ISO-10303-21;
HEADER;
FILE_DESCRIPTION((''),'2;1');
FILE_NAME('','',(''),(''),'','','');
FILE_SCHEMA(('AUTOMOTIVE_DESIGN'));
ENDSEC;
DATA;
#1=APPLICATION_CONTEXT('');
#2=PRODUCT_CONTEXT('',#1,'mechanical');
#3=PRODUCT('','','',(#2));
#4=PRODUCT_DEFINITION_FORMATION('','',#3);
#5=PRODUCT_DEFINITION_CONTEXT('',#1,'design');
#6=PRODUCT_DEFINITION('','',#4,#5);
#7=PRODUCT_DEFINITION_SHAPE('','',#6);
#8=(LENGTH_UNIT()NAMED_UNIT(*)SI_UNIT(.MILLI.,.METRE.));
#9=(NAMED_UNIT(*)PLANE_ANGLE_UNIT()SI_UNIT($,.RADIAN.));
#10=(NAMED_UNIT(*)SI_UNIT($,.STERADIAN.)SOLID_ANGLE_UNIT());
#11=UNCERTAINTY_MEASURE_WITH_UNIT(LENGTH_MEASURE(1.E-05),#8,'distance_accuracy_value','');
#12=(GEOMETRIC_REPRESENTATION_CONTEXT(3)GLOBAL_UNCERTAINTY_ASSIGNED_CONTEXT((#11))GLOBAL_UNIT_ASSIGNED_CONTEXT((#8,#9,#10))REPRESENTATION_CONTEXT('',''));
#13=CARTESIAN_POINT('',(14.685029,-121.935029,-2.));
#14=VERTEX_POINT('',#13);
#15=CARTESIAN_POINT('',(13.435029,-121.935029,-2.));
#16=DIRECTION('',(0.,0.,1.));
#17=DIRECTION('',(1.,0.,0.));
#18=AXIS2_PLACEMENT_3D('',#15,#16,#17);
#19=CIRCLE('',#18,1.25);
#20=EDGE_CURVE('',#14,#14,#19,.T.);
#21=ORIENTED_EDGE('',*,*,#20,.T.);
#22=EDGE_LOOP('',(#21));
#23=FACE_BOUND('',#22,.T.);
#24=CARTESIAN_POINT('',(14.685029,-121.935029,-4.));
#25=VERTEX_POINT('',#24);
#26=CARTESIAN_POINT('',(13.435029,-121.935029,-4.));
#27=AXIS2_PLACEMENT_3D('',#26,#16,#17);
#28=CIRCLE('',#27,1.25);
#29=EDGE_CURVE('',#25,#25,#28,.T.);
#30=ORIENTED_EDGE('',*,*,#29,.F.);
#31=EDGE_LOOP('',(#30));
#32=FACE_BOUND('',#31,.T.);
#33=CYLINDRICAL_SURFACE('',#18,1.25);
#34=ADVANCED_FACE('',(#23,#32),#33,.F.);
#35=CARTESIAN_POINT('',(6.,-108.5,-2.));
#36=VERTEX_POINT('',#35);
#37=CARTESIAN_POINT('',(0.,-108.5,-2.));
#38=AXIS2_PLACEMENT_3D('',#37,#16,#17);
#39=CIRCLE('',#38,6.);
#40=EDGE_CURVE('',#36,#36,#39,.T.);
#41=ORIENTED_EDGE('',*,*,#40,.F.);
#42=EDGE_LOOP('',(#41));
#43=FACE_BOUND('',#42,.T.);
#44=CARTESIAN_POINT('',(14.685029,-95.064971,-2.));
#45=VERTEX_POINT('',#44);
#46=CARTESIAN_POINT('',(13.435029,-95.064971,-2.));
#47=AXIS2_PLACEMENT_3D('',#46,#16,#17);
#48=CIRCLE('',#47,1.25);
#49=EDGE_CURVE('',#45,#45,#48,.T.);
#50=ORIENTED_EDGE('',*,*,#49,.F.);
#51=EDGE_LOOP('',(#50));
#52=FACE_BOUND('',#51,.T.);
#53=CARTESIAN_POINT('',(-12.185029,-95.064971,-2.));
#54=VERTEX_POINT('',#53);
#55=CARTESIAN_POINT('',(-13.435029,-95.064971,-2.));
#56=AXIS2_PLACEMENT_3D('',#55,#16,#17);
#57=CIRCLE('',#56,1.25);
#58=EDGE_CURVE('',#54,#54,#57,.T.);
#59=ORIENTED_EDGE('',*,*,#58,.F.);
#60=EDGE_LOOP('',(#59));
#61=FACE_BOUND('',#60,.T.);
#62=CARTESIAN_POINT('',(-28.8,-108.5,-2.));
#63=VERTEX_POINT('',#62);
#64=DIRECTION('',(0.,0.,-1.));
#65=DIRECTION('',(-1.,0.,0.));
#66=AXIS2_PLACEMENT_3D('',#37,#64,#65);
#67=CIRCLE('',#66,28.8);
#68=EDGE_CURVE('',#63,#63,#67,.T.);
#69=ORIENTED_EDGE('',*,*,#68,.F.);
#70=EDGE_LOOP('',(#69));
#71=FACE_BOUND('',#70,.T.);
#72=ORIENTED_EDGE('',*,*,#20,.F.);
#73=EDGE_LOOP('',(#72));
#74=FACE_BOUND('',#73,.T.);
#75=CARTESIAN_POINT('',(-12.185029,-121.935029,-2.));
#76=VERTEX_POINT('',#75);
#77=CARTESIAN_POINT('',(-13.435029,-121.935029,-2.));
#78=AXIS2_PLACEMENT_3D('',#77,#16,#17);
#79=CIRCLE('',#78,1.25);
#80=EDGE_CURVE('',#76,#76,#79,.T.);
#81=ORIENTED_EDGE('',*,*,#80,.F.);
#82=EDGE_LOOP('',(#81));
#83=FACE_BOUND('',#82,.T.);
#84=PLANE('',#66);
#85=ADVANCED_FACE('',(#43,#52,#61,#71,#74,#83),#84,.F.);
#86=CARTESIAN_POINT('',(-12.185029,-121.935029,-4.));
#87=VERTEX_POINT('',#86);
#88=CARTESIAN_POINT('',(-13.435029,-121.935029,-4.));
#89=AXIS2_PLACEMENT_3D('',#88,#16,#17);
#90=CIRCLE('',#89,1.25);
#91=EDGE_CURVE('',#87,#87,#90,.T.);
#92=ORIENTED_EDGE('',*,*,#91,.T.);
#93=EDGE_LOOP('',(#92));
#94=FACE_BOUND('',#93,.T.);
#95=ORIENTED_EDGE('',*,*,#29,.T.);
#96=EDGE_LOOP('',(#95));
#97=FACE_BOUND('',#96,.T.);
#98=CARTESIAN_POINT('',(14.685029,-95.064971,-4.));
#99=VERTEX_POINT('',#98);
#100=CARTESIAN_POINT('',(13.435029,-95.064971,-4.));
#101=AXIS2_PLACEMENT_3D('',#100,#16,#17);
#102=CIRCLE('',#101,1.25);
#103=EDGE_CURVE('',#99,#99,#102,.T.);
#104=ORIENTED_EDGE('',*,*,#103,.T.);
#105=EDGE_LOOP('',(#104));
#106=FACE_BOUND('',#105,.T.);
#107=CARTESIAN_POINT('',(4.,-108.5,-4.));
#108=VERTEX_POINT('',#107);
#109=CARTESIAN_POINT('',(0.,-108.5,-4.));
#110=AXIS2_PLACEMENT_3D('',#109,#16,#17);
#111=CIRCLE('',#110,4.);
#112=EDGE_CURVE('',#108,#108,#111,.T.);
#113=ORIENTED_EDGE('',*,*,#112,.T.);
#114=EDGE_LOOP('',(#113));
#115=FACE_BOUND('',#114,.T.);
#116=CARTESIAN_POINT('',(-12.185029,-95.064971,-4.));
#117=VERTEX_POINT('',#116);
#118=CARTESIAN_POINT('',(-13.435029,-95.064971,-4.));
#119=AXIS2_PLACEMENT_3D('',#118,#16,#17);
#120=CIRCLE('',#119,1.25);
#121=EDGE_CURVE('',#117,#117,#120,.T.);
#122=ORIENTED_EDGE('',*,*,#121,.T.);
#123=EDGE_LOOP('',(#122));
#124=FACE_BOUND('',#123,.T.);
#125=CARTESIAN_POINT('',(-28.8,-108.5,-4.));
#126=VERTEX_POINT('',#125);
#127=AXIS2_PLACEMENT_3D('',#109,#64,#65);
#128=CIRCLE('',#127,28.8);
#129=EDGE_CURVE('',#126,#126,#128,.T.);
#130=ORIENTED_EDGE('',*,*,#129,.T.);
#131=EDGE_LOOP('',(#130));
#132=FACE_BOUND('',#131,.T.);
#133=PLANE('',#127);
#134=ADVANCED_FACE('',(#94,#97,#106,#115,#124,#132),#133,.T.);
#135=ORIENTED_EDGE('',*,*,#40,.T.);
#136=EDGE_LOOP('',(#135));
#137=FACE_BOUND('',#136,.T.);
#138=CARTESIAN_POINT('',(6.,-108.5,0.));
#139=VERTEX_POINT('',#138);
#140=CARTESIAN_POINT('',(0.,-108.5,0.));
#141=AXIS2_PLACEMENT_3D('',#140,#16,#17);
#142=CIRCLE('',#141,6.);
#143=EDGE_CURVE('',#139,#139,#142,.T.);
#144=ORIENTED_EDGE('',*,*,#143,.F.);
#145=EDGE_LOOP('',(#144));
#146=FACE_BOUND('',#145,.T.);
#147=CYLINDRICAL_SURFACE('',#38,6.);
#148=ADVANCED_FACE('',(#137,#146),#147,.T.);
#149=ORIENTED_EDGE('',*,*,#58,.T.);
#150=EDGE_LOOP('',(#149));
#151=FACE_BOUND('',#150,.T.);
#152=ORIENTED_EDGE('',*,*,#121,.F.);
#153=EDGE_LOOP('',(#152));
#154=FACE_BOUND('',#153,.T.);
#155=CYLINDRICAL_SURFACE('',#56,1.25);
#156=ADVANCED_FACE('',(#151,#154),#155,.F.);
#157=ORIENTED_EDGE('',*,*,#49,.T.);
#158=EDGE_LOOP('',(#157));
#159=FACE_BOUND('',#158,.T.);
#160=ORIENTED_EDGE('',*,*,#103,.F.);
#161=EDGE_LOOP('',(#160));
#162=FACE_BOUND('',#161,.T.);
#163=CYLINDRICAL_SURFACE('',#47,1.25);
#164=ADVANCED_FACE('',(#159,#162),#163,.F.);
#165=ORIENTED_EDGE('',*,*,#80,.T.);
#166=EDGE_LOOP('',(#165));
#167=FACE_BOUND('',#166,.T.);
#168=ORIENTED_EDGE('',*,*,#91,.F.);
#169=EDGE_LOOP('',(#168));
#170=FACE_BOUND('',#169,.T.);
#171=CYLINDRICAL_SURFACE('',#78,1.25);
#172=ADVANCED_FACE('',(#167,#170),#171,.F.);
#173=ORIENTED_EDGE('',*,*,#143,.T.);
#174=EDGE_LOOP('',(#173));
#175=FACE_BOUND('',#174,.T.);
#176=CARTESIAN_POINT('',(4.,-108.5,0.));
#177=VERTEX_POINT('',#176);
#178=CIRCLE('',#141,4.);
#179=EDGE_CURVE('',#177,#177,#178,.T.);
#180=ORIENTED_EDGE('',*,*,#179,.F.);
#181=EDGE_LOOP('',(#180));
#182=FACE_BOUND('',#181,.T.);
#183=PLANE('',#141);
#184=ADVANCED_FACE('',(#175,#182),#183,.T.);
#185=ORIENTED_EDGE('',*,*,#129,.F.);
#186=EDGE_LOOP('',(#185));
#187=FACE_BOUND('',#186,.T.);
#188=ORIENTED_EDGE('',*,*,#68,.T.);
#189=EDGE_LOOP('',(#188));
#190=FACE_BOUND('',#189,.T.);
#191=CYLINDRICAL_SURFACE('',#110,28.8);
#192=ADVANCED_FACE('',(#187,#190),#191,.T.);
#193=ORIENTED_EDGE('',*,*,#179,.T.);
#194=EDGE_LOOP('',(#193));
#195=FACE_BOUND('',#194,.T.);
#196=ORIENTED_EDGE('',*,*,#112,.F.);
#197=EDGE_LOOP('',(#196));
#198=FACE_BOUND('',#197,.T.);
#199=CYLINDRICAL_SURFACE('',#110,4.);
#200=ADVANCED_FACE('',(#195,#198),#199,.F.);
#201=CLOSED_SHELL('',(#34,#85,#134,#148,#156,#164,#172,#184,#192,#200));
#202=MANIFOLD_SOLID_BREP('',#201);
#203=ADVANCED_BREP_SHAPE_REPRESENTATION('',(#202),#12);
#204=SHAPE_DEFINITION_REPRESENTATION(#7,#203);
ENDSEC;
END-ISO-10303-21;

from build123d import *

# Parameters (mm, degrees)
SKETCH1_R             = 6
BOSS_EXTRUDE1_DEPTH   = 2
SKETCH2_R             = 28.8
BOSS_EXTRUDE2_DEPTH   = 2
SKETCH3_R             = 4
CUT_EXTRUDE1_DEPTH    = 5
M3X0_5_TAPPED_HOLE1_D = 2.5


with BuildPart() as part:
    # Sketch1 → Boss-Extrude1 (new body)
    with BuildSketch(Plane.XY):
        with Locations((0, -108.5)):
            Circle(SKETCH1_R)
    extrude(amount=-BOSS_EXTRUDE1_DEPTH)

    # Sketch2 → Boss-Extrude2 (add)
    with BuildSketch(Plane(origin=(0, 0, -2), x_dir=(-1, 0, 0), z_dir=(0, 0, -1))):
        with Locations((0, -108.5)):
            Circle(SKETCH2_R)
    extrude(amount=BOSS_EXTRUDE2_DEPTH)

    # Sketch3 → Cut-Extrude1 (cut, through all)
    with BuildSketch(Plane.XY):
        with Locations((0, -108.5)):
            Circle(SKETCH3_R)
    extrude(amount=-CUT_EXTRUDE1_DEPTH, mode=Mode.SUBTRACT)

    # M3x0.5 Tapped Hole1 (through all)
    with Locations(Plane.XY.offset(-2)):
        with Locations((-13.435028843, -95.064971157), (13.435028843, -95.064971157), (13.435028843, -121.935028843), (-13.435028843, -121.935028843)):
            Hole(M3X0_5_TAPPED_HOLE1_D / 2)


solid = part.part
